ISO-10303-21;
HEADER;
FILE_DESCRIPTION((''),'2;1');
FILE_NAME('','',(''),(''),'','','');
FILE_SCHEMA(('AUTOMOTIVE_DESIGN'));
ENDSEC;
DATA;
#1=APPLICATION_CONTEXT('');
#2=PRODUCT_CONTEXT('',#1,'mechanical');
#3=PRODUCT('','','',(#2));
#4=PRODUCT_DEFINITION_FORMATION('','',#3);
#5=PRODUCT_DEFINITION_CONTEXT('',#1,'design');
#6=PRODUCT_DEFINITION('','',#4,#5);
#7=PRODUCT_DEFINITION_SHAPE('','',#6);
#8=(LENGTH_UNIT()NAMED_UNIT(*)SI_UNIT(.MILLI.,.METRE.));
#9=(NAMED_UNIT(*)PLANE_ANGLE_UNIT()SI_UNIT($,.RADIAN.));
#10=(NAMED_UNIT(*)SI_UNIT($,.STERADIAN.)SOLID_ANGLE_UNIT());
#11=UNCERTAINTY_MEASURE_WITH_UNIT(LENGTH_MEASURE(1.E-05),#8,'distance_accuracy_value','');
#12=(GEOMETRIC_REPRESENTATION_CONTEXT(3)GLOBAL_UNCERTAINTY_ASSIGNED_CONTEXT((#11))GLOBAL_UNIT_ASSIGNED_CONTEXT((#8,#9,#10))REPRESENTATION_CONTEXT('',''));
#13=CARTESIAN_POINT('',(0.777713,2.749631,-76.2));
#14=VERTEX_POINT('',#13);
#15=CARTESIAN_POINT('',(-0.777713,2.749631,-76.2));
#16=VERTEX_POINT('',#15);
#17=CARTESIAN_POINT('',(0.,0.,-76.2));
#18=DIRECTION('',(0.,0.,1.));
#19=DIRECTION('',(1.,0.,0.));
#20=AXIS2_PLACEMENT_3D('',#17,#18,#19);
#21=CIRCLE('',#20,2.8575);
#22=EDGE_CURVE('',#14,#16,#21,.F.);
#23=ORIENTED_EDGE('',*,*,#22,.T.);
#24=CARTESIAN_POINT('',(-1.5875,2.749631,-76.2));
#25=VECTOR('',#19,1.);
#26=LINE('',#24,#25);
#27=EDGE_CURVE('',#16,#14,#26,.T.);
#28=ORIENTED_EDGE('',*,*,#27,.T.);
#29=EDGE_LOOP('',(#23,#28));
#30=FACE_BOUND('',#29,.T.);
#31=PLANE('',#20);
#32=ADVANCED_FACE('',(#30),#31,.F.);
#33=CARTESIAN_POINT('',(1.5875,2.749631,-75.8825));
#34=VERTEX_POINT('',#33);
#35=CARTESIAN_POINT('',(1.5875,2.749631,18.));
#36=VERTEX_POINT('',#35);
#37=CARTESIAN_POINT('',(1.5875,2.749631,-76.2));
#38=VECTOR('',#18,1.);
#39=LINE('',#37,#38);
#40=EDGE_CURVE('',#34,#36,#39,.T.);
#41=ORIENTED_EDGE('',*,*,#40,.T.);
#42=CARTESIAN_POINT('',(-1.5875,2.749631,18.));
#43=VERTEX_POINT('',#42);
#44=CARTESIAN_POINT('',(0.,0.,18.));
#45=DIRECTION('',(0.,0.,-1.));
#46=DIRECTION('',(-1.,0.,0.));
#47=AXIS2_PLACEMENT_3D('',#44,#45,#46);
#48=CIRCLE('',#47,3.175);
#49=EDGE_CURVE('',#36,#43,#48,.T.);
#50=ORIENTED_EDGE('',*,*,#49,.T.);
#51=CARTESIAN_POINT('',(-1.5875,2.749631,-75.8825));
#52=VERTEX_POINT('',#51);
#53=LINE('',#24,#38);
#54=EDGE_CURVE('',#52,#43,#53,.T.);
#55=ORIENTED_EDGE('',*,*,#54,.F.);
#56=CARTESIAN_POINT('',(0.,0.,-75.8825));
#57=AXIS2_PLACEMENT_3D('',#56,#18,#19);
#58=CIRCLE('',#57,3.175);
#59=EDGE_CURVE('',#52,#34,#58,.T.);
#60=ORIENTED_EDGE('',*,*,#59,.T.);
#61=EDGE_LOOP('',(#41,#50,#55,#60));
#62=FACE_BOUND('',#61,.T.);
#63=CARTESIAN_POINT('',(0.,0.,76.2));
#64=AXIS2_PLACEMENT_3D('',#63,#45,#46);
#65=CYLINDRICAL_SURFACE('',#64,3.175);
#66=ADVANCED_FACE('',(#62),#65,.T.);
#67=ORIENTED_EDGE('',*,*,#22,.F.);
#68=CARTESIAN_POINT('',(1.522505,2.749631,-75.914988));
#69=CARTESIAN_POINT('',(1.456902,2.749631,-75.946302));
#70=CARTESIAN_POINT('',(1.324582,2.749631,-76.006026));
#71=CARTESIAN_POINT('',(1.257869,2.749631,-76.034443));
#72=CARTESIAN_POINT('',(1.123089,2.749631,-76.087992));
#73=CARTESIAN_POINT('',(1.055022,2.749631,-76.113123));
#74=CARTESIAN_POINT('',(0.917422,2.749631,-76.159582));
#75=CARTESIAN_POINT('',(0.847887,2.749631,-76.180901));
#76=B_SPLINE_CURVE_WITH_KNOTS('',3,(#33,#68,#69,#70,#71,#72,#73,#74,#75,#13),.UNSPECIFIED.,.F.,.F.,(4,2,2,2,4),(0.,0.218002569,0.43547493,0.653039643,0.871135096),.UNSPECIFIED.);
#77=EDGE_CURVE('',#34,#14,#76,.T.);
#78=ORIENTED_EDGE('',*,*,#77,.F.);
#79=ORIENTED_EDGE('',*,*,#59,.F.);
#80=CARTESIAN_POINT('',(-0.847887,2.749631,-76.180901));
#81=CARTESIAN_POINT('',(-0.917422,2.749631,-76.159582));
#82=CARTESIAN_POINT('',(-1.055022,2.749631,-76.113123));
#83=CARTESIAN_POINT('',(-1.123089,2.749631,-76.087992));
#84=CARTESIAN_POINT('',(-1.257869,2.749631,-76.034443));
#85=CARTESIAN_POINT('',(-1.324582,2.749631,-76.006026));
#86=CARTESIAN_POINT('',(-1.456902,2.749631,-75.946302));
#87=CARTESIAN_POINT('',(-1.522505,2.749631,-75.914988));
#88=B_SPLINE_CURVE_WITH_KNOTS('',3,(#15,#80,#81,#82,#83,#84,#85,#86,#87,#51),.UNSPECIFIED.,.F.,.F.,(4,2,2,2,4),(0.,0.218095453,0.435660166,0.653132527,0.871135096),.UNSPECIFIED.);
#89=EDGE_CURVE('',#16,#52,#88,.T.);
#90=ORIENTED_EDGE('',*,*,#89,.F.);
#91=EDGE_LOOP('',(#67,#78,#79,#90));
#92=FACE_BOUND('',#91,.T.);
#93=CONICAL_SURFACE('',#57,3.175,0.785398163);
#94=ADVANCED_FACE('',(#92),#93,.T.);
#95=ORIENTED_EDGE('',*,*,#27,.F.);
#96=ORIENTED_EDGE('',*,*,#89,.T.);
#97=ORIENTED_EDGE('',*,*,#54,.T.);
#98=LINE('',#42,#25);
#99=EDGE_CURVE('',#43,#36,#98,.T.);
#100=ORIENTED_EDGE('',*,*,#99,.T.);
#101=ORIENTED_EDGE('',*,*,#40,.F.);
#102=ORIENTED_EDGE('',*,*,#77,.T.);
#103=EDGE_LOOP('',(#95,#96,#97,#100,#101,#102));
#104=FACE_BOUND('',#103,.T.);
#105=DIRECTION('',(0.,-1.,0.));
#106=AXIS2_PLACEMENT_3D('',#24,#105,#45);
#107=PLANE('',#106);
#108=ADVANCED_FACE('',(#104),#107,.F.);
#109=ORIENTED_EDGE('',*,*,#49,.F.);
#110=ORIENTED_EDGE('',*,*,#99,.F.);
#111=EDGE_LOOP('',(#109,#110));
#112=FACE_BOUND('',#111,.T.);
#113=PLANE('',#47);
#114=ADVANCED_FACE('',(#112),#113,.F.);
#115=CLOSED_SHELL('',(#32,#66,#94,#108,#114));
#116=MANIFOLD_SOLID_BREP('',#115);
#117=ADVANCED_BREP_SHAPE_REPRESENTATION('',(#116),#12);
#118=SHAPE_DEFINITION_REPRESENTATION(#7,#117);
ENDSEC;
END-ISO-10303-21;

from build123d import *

# Parameters (mm, degrees)
BOSS_EXTRUDE2_DEPTH      = 76.2
BOSS_EXTRUDE2_DEPTH_BACK = 76.2
SKETCH3_R                = 3.175
CUT_EXTRUDE5_DEPTH       = 77.332177029
CUT_EXTRUDE5_DEPTH_BACK  = 77.332177029
CHAMFER1_SIZE            = 0.3175
SKETCH11_W               = 9.577733326
SKETCH11_H               = 8.205515822
CUT_EXTRUDE6_DEPTH       = 58.2


with BuildPart() as part:
    # Sketch3 → Boss-Extrude2 (new, two sides: drawn at the far end of the back side and taken through both)
    with BuildSketch(Plane.XY.offset(-BOSS_EXTRUDE2_DEPTH_BACK)):
        with Locations(Location((0, 0, 0), (0, 0, 180))):
            Circle(SKETCH3_R)
    extrude(amount=BOSS_EXTRUDE2_DEPTH + BOSS_EXTRUDE2_DEPTH_BACK)

    # Sketch10 → Cut-Extrude5 (cut, two sides: drawn at the far end of the back side and taken through both)
    with BuildSketch(Plane.XY.offset(-CUT_EXTRUDE5_DEPTH_BACK)):
        with BuildLine():
            Line((-1.5875, 2.749630657), (1.5875, 2.749630657))
            ThreePointArc((1.5875, 2.749630657), (0, 3.175), (-1.5875, 2.749630657))
        make_face()
    extrude(amount=CUT_EXTRUDE5_DEPTH + CUT_EXTRUDE5_DEPTH_BACK, mode=Mode.SUBTRACT)

    # Chamfer1
    chamfer1_edges = [part.edges().sort_by_distance(p)[0] for p in [
        (0, -3.175, -76.2),
        (0, -3.175, 76.2),
    ]]
    chamfer(chamfer1_edges, length=CHAMFER1_SIZE)

    # Sketch11 → Cut-Extrude6 (cut)
    with BuildSketch(Plane.XY.offset(76.2)):
        Rectangle(SKETCH11_W, SKETCH11_H)
    extrude(amount=-CUT_EXTRUDE6_DEPTH, mode=Mode.SUBTRACT)


solid = part.part
